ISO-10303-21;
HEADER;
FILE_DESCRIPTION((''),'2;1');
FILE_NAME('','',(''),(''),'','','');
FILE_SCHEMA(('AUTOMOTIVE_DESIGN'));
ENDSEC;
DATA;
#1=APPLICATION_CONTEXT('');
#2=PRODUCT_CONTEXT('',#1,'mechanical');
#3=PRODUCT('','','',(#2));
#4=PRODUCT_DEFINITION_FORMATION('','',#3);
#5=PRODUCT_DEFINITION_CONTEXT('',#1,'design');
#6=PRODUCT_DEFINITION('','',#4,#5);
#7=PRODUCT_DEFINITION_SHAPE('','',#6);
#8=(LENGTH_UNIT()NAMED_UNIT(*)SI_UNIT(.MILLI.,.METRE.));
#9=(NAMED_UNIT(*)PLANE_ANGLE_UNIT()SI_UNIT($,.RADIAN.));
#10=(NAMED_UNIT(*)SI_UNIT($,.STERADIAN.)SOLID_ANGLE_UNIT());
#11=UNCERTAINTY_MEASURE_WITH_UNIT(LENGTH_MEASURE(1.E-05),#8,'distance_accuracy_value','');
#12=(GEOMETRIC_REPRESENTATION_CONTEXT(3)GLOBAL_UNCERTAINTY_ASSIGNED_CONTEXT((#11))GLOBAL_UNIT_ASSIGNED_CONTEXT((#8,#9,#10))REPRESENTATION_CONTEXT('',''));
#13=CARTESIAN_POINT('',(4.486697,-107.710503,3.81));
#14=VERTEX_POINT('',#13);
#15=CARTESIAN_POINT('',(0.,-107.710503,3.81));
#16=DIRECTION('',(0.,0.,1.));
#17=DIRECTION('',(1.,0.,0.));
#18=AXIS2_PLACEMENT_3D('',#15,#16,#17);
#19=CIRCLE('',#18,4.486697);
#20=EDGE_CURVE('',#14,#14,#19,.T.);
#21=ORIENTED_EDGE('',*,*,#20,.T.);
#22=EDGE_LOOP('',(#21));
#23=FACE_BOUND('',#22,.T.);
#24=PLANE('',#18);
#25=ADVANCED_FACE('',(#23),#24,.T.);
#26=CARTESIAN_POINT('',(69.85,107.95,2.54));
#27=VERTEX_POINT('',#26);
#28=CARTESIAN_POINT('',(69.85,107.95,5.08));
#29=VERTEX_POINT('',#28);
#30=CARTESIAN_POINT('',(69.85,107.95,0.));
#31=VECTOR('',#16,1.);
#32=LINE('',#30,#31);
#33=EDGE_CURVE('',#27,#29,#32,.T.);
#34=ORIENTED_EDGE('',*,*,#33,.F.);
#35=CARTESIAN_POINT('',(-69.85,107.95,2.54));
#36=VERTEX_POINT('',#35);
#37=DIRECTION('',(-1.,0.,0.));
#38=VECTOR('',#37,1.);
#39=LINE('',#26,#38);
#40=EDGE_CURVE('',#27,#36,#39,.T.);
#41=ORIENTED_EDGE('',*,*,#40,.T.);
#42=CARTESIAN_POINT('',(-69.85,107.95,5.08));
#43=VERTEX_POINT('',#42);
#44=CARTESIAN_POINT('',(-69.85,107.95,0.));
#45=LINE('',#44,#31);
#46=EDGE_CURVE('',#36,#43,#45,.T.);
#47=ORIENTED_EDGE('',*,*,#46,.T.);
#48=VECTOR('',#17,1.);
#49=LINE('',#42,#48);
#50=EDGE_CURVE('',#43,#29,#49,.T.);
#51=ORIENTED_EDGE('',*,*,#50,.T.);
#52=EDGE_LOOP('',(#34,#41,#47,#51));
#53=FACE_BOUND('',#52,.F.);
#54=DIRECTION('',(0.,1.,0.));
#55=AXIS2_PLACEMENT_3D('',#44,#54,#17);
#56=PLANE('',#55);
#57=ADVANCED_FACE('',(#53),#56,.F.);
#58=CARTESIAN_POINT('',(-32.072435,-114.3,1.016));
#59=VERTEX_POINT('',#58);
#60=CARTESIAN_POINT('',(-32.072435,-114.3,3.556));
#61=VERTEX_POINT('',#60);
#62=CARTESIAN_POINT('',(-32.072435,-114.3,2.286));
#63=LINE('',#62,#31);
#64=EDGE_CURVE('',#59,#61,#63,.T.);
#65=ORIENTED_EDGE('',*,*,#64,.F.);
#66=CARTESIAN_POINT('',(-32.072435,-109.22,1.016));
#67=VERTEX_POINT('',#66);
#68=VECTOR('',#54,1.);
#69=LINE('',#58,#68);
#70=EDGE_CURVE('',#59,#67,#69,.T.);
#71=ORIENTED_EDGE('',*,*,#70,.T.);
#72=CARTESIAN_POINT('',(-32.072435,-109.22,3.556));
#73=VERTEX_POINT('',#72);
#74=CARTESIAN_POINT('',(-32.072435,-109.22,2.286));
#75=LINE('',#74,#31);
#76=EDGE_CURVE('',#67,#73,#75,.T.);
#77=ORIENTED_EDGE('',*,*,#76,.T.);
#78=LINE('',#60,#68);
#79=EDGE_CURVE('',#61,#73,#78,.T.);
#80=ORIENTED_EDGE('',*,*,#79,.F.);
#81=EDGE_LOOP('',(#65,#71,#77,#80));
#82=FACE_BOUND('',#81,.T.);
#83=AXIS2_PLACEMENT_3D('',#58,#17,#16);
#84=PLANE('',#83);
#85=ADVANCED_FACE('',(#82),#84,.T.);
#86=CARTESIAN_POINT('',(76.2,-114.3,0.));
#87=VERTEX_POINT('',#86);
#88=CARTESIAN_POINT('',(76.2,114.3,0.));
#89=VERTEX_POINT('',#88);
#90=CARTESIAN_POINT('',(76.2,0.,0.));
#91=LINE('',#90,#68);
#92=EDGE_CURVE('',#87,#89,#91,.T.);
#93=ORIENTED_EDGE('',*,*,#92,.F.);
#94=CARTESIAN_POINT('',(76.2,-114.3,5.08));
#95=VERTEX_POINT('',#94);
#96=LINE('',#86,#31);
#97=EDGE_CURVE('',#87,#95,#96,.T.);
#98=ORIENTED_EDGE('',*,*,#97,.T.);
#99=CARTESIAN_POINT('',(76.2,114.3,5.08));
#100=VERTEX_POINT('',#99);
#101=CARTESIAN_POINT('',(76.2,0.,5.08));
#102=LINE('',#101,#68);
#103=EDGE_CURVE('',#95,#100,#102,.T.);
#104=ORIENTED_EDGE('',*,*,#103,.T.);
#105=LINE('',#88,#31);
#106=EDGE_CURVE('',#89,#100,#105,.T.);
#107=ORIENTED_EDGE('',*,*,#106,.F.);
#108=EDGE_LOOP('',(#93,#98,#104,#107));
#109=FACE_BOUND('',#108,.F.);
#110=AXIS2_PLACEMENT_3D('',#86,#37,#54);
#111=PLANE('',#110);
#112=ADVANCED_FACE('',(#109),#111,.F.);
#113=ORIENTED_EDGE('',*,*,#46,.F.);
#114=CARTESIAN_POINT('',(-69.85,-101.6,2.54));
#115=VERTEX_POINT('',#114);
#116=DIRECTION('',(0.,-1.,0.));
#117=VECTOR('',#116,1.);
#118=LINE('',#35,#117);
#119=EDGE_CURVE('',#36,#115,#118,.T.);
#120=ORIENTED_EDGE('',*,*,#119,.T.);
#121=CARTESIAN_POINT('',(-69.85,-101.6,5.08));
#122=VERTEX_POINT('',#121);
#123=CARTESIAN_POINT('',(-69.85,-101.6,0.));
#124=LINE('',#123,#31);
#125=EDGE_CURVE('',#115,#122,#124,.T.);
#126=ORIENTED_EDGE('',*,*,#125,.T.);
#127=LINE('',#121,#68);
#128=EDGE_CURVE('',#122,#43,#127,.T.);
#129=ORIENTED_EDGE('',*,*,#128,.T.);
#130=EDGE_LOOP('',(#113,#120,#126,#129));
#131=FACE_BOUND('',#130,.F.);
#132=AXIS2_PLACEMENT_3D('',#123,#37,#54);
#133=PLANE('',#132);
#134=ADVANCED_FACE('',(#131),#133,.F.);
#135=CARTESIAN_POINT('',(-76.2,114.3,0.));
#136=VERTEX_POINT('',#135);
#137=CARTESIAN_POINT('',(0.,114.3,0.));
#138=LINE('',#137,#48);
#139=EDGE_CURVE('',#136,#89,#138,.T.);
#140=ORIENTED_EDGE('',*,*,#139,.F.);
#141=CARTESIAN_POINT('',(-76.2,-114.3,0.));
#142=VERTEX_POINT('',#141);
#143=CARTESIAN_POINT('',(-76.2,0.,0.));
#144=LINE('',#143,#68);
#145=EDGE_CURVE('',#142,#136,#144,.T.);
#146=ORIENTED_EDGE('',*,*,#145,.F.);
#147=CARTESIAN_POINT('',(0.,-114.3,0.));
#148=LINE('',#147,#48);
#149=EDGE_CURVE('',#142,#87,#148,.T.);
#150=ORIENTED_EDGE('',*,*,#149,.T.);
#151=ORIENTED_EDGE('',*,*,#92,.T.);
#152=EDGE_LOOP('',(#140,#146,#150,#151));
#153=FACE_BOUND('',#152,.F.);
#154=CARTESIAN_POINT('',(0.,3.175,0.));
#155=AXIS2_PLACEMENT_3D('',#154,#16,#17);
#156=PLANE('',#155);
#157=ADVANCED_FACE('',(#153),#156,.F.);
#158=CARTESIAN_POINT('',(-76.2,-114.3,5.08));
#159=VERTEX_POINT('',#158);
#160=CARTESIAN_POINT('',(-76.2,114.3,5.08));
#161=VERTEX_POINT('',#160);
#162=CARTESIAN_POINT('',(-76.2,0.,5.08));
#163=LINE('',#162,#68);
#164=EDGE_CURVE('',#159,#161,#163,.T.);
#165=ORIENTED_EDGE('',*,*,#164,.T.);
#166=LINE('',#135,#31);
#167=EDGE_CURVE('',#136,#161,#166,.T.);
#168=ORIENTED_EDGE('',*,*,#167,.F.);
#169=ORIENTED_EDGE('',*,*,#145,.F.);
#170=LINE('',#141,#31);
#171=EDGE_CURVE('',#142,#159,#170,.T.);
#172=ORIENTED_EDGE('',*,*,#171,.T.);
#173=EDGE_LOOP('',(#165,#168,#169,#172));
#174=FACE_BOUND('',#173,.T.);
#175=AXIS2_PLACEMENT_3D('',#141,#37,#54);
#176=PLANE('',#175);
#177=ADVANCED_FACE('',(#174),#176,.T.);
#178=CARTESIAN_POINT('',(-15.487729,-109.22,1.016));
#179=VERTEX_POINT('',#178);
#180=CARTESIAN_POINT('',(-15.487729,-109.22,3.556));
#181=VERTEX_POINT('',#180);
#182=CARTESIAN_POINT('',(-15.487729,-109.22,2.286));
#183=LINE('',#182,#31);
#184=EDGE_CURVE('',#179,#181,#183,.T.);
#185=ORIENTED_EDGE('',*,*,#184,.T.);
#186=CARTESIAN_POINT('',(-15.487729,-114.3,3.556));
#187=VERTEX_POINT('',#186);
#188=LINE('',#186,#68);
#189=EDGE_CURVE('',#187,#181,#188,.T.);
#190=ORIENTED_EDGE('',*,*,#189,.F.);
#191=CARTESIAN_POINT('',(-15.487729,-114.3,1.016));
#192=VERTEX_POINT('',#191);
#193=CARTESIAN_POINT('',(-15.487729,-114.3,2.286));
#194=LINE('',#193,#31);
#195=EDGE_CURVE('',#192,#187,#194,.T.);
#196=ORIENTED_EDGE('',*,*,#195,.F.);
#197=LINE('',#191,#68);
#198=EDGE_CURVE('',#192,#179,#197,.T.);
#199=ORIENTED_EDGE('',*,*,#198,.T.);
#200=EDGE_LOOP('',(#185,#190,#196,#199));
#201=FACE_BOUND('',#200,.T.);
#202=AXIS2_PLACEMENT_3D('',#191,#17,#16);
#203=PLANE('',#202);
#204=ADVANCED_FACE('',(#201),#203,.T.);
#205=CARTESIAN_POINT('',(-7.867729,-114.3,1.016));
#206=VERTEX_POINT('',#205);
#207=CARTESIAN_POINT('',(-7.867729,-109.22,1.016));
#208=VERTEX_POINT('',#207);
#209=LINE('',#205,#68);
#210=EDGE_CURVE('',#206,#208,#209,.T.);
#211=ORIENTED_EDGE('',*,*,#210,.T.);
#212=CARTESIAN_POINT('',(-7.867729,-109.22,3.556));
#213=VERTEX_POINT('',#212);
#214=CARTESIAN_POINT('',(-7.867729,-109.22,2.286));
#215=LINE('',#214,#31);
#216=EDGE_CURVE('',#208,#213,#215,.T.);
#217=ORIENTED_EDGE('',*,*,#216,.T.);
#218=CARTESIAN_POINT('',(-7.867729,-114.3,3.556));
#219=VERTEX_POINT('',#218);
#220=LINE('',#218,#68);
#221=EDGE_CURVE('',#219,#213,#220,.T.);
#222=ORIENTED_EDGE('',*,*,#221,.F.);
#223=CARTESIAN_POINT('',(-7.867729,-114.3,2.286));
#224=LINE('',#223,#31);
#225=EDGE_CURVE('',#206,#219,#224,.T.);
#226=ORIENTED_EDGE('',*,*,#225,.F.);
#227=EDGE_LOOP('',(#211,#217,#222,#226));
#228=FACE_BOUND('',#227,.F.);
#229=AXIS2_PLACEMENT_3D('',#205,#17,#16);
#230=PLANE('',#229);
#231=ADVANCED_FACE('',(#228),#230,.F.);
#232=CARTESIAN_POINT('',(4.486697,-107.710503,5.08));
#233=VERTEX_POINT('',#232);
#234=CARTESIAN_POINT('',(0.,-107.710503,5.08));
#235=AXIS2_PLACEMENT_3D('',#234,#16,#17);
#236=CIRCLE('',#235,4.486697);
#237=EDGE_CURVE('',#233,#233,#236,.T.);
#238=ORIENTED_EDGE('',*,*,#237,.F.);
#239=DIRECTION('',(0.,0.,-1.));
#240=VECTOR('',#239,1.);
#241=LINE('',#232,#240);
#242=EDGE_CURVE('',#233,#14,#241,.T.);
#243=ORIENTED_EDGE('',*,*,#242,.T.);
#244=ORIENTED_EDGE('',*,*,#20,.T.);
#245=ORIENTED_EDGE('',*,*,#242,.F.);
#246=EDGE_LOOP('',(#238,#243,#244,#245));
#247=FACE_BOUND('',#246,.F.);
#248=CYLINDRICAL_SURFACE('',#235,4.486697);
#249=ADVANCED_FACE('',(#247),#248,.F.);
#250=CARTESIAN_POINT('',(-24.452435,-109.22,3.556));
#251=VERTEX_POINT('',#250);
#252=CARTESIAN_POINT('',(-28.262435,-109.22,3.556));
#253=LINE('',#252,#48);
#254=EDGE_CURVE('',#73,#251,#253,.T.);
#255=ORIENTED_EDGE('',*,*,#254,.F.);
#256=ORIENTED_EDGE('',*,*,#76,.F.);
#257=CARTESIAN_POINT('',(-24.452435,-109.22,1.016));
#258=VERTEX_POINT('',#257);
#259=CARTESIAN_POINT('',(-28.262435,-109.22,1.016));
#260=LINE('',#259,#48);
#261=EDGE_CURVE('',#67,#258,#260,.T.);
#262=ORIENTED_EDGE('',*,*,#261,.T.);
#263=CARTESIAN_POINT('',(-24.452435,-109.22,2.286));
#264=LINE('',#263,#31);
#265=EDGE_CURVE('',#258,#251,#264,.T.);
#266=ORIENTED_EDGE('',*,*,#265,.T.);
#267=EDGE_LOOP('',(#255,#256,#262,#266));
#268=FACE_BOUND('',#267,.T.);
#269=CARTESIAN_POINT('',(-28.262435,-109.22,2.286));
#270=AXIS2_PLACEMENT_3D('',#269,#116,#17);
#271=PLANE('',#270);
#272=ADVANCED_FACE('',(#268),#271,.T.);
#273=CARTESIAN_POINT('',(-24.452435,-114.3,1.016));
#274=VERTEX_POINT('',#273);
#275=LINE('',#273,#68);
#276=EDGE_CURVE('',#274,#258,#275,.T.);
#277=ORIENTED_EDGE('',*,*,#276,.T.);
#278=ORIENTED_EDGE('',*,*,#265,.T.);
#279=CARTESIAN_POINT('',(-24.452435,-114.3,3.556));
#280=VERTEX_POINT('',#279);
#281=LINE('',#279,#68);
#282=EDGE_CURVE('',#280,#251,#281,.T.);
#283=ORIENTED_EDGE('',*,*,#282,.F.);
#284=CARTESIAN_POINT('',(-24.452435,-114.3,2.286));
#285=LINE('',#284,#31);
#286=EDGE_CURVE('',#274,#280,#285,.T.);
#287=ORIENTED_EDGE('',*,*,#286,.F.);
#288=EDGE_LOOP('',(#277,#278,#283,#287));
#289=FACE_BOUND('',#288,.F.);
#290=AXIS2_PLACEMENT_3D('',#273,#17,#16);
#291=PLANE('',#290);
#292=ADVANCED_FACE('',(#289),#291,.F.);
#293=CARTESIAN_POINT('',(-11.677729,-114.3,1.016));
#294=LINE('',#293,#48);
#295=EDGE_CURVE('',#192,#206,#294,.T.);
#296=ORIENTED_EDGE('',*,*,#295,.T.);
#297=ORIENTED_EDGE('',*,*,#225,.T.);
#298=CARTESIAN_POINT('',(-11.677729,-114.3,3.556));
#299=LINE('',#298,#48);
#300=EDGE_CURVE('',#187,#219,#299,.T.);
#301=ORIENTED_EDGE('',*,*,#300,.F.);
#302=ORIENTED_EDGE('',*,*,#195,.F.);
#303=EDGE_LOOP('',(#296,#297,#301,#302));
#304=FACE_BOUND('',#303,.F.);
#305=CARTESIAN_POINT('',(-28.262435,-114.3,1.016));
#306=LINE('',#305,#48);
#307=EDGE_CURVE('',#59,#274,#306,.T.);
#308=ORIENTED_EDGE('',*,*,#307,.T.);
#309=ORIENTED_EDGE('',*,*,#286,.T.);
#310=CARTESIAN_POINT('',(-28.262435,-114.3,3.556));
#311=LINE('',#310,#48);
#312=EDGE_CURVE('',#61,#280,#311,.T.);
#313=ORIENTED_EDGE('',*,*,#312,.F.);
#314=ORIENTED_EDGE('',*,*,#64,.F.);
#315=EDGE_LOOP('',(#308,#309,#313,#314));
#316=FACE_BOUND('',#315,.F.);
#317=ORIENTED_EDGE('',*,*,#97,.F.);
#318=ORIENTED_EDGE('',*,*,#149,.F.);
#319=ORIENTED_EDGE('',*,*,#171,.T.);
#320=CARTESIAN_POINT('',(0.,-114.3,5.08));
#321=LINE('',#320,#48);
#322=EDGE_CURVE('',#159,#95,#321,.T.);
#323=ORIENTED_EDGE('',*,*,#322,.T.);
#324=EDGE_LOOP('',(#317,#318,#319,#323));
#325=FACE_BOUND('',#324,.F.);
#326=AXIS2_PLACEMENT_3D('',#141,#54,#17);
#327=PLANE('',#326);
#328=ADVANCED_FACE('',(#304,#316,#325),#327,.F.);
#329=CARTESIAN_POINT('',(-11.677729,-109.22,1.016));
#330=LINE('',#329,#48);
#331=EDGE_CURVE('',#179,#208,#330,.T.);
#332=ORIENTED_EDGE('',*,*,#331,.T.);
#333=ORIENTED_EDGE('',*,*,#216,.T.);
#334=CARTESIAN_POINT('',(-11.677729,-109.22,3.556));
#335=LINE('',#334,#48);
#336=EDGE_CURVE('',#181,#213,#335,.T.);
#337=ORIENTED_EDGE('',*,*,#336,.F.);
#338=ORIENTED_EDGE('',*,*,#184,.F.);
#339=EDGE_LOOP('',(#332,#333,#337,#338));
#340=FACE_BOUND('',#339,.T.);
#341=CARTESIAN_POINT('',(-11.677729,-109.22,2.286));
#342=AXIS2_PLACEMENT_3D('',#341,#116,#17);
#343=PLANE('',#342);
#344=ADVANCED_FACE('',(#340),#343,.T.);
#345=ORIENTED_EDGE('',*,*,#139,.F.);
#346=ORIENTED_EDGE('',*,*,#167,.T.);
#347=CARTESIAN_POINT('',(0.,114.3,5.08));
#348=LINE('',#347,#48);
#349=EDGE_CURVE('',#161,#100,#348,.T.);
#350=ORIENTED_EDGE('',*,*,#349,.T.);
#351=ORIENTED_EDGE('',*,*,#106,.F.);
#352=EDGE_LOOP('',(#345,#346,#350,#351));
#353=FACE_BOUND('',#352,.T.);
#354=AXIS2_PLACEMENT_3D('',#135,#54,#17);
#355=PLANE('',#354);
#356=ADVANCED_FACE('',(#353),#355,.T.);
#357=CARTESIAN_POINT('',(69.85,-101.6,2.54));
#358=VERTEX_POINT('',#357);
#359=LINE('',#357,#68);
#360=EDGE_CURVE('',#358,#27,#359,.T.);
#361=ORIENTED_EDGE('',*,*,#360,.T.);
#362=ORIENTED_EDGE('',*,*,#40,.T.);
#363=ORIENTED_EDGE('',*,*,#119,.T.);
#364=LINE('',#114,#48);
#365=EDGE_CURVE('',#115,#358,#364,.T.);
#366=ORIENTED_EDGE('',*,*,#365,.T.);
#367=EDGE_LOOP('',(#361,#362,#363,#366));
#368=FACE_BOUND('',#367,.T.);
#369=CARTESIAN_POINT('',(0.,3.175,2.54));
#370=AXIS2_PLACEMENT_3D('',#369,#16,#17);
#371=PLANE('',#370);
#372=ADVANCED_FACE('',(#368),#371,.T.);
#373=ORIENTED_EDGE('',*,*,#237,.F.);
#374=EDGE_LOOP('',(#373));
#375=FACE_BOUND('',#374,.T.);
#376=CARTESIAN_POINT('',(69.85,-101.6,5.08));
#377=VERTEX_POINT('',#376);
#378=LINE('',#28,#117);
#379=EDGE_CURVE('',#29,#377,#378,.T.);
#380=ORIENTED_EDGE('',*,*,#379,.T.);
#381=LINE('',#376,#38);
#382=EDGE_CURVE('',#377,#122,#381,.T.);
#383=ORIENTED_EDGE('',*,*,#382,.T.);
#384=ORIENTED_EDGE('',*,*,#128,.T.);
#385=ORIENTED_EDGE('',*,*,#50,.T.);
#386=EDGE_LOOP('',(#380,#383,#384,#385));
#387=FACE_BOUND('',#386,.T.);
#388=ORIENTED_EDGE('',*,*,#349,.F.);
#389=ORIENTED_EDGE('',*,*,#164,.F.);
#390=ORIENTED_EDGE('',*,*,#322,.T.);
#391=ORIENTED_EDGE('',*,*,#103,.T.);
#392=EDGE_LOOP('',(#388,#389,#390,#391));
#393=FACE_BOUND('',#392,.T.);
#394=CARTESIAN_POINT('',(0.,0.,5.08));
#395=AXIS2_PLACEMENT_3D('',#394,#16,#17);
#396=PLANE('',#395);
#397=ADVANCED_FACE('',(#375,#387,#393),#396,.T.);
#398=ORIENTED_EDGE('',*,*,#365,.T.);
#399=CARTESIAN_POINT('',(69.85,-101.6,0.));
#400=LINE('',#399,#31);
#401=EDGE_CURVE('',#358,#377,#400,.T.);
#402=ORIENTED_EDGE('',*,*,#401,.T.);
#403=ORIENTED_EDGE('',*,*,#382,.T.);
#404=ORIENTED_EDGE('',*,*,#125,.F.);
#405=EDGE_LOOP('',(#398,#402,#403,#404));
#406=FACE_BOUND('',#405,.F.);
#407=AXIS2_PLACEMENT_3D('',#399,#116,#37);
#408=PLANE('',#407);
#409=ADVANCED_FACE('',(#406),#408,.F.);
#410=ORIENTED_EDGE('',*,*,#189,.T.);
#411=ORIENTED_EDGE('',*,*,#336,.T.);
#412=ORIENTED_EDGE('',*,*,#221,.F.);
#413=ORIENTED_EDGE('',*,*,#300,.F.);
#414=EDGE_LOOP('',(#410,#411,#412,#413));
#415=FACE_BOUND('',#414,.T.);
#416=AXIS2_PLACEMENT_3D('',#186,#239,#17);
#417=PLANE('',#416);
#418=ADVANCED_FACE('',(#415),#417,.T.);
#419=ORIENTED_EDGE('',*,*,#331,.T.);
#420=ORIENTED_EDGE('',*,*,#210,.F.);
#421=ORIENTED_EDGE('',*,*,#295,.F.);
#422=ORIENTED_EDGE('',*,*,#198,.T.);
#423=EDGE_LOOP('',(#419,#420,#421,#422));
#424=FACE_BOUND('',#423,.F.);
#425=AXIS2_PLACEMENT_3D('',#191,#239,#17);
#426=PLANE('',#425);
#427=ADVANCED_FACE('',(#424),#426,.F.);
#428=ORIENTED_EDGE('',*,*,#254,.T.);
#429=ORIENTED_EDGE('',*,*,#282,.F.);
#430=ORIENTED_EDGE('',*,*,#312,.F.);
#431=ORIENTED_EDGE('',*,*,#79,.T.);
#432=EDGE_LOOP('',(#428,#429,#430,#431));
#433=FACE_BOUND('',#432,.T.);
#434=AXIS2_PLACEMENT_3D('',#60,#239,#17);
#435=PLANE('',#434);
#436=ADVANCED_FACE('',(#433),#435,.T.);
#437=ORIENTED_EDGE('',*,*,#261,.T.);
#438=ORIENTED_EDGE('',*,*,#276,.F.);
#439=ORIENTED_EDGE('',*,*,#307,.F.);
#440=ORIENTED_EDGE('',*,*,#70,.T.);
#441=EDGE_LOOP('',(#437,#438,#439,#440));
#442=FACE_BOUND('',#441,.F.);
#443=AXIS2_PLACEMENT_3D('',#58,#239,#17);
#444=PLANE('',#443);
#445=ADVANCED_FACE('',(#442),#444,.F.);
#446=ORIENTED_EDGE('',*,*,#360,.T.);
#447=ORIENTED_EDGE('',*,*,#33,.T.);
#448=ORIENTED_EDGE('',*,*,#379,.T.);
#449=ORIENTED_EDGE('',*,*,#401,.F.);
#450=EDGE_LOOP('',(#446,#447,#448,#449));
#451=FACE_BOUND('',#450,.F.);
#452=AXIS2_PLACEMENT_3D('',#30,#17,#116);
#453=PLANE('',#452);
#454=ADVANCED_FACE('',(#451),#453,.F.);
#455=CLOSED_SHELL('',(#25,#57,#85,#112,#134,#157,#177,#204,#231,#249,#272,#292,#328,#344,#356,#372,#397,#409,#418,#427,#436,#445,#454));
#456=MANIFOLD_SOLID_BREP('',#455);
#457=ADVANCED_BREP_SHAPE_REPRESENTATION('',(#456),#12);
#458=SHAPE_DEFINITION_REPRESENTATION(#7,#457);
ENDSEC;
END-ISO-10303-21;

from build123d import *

# Parameters (mm, degrees)
F0_W     = 152.4
F0_H     = 228.6
F1_DEPTH = 5.08
F2_DEPTH = 2.54
F3_R     = 4.486697
F4_DEPTH = 1.27
F5_W     = 7.62
F5_H     = 2.54
F6_DEPTH = 5.08


with BuildPart() as f1:
    # F0 (on Top) → F1 (new body)
    with BuildSketch(Plane.XY):
        Rectangle(F0_W, F0_H)
        Polygon((69.85, -101.6), (-69.85, -101.6), (-69.85, 101.6), (-69.85, 107.95), (69.85, 107.95), (69.85, 101.6), align=None, mode=Mode.SUBTRACT)
    extrude(amount=F1_DEPTH)

    # F0 (on Top) → F2 (join)
    with BuildSketch(Plane.XY):
        Polygon((-69.85, 101.6), (-69.85, -101.6), (69.85, -101.6), (69.85, 101.6), (69.85, 107.95), (-69.85, 107.95), align=None)
    extrude(amount=F2_DEPTH)

    # F3 (on face) → F4 (cut)
    with BuildSketch(Plane.XY.offset(5.08)):
        with Locations((0, -107.710503)):
            Circle(F3_R)
    extrude(amount=-F4_DEPTH, mode=Mode.SUBTRACT)

    # F5 (on face) → F6 (cut)
    with BuildSketch(Plane.XZ.offset(114.3)):
        with Locations((-28.262435, 2.286)):
            Rectangle(F5_W, F5_H)
        with Locations((-11.677729, 2.286)):
            Rectangle(F5_W, F5_H)
    extrude(amount=-F6_DEPTH, mode=Mode.SUBTRACT)


solid = f1.part
